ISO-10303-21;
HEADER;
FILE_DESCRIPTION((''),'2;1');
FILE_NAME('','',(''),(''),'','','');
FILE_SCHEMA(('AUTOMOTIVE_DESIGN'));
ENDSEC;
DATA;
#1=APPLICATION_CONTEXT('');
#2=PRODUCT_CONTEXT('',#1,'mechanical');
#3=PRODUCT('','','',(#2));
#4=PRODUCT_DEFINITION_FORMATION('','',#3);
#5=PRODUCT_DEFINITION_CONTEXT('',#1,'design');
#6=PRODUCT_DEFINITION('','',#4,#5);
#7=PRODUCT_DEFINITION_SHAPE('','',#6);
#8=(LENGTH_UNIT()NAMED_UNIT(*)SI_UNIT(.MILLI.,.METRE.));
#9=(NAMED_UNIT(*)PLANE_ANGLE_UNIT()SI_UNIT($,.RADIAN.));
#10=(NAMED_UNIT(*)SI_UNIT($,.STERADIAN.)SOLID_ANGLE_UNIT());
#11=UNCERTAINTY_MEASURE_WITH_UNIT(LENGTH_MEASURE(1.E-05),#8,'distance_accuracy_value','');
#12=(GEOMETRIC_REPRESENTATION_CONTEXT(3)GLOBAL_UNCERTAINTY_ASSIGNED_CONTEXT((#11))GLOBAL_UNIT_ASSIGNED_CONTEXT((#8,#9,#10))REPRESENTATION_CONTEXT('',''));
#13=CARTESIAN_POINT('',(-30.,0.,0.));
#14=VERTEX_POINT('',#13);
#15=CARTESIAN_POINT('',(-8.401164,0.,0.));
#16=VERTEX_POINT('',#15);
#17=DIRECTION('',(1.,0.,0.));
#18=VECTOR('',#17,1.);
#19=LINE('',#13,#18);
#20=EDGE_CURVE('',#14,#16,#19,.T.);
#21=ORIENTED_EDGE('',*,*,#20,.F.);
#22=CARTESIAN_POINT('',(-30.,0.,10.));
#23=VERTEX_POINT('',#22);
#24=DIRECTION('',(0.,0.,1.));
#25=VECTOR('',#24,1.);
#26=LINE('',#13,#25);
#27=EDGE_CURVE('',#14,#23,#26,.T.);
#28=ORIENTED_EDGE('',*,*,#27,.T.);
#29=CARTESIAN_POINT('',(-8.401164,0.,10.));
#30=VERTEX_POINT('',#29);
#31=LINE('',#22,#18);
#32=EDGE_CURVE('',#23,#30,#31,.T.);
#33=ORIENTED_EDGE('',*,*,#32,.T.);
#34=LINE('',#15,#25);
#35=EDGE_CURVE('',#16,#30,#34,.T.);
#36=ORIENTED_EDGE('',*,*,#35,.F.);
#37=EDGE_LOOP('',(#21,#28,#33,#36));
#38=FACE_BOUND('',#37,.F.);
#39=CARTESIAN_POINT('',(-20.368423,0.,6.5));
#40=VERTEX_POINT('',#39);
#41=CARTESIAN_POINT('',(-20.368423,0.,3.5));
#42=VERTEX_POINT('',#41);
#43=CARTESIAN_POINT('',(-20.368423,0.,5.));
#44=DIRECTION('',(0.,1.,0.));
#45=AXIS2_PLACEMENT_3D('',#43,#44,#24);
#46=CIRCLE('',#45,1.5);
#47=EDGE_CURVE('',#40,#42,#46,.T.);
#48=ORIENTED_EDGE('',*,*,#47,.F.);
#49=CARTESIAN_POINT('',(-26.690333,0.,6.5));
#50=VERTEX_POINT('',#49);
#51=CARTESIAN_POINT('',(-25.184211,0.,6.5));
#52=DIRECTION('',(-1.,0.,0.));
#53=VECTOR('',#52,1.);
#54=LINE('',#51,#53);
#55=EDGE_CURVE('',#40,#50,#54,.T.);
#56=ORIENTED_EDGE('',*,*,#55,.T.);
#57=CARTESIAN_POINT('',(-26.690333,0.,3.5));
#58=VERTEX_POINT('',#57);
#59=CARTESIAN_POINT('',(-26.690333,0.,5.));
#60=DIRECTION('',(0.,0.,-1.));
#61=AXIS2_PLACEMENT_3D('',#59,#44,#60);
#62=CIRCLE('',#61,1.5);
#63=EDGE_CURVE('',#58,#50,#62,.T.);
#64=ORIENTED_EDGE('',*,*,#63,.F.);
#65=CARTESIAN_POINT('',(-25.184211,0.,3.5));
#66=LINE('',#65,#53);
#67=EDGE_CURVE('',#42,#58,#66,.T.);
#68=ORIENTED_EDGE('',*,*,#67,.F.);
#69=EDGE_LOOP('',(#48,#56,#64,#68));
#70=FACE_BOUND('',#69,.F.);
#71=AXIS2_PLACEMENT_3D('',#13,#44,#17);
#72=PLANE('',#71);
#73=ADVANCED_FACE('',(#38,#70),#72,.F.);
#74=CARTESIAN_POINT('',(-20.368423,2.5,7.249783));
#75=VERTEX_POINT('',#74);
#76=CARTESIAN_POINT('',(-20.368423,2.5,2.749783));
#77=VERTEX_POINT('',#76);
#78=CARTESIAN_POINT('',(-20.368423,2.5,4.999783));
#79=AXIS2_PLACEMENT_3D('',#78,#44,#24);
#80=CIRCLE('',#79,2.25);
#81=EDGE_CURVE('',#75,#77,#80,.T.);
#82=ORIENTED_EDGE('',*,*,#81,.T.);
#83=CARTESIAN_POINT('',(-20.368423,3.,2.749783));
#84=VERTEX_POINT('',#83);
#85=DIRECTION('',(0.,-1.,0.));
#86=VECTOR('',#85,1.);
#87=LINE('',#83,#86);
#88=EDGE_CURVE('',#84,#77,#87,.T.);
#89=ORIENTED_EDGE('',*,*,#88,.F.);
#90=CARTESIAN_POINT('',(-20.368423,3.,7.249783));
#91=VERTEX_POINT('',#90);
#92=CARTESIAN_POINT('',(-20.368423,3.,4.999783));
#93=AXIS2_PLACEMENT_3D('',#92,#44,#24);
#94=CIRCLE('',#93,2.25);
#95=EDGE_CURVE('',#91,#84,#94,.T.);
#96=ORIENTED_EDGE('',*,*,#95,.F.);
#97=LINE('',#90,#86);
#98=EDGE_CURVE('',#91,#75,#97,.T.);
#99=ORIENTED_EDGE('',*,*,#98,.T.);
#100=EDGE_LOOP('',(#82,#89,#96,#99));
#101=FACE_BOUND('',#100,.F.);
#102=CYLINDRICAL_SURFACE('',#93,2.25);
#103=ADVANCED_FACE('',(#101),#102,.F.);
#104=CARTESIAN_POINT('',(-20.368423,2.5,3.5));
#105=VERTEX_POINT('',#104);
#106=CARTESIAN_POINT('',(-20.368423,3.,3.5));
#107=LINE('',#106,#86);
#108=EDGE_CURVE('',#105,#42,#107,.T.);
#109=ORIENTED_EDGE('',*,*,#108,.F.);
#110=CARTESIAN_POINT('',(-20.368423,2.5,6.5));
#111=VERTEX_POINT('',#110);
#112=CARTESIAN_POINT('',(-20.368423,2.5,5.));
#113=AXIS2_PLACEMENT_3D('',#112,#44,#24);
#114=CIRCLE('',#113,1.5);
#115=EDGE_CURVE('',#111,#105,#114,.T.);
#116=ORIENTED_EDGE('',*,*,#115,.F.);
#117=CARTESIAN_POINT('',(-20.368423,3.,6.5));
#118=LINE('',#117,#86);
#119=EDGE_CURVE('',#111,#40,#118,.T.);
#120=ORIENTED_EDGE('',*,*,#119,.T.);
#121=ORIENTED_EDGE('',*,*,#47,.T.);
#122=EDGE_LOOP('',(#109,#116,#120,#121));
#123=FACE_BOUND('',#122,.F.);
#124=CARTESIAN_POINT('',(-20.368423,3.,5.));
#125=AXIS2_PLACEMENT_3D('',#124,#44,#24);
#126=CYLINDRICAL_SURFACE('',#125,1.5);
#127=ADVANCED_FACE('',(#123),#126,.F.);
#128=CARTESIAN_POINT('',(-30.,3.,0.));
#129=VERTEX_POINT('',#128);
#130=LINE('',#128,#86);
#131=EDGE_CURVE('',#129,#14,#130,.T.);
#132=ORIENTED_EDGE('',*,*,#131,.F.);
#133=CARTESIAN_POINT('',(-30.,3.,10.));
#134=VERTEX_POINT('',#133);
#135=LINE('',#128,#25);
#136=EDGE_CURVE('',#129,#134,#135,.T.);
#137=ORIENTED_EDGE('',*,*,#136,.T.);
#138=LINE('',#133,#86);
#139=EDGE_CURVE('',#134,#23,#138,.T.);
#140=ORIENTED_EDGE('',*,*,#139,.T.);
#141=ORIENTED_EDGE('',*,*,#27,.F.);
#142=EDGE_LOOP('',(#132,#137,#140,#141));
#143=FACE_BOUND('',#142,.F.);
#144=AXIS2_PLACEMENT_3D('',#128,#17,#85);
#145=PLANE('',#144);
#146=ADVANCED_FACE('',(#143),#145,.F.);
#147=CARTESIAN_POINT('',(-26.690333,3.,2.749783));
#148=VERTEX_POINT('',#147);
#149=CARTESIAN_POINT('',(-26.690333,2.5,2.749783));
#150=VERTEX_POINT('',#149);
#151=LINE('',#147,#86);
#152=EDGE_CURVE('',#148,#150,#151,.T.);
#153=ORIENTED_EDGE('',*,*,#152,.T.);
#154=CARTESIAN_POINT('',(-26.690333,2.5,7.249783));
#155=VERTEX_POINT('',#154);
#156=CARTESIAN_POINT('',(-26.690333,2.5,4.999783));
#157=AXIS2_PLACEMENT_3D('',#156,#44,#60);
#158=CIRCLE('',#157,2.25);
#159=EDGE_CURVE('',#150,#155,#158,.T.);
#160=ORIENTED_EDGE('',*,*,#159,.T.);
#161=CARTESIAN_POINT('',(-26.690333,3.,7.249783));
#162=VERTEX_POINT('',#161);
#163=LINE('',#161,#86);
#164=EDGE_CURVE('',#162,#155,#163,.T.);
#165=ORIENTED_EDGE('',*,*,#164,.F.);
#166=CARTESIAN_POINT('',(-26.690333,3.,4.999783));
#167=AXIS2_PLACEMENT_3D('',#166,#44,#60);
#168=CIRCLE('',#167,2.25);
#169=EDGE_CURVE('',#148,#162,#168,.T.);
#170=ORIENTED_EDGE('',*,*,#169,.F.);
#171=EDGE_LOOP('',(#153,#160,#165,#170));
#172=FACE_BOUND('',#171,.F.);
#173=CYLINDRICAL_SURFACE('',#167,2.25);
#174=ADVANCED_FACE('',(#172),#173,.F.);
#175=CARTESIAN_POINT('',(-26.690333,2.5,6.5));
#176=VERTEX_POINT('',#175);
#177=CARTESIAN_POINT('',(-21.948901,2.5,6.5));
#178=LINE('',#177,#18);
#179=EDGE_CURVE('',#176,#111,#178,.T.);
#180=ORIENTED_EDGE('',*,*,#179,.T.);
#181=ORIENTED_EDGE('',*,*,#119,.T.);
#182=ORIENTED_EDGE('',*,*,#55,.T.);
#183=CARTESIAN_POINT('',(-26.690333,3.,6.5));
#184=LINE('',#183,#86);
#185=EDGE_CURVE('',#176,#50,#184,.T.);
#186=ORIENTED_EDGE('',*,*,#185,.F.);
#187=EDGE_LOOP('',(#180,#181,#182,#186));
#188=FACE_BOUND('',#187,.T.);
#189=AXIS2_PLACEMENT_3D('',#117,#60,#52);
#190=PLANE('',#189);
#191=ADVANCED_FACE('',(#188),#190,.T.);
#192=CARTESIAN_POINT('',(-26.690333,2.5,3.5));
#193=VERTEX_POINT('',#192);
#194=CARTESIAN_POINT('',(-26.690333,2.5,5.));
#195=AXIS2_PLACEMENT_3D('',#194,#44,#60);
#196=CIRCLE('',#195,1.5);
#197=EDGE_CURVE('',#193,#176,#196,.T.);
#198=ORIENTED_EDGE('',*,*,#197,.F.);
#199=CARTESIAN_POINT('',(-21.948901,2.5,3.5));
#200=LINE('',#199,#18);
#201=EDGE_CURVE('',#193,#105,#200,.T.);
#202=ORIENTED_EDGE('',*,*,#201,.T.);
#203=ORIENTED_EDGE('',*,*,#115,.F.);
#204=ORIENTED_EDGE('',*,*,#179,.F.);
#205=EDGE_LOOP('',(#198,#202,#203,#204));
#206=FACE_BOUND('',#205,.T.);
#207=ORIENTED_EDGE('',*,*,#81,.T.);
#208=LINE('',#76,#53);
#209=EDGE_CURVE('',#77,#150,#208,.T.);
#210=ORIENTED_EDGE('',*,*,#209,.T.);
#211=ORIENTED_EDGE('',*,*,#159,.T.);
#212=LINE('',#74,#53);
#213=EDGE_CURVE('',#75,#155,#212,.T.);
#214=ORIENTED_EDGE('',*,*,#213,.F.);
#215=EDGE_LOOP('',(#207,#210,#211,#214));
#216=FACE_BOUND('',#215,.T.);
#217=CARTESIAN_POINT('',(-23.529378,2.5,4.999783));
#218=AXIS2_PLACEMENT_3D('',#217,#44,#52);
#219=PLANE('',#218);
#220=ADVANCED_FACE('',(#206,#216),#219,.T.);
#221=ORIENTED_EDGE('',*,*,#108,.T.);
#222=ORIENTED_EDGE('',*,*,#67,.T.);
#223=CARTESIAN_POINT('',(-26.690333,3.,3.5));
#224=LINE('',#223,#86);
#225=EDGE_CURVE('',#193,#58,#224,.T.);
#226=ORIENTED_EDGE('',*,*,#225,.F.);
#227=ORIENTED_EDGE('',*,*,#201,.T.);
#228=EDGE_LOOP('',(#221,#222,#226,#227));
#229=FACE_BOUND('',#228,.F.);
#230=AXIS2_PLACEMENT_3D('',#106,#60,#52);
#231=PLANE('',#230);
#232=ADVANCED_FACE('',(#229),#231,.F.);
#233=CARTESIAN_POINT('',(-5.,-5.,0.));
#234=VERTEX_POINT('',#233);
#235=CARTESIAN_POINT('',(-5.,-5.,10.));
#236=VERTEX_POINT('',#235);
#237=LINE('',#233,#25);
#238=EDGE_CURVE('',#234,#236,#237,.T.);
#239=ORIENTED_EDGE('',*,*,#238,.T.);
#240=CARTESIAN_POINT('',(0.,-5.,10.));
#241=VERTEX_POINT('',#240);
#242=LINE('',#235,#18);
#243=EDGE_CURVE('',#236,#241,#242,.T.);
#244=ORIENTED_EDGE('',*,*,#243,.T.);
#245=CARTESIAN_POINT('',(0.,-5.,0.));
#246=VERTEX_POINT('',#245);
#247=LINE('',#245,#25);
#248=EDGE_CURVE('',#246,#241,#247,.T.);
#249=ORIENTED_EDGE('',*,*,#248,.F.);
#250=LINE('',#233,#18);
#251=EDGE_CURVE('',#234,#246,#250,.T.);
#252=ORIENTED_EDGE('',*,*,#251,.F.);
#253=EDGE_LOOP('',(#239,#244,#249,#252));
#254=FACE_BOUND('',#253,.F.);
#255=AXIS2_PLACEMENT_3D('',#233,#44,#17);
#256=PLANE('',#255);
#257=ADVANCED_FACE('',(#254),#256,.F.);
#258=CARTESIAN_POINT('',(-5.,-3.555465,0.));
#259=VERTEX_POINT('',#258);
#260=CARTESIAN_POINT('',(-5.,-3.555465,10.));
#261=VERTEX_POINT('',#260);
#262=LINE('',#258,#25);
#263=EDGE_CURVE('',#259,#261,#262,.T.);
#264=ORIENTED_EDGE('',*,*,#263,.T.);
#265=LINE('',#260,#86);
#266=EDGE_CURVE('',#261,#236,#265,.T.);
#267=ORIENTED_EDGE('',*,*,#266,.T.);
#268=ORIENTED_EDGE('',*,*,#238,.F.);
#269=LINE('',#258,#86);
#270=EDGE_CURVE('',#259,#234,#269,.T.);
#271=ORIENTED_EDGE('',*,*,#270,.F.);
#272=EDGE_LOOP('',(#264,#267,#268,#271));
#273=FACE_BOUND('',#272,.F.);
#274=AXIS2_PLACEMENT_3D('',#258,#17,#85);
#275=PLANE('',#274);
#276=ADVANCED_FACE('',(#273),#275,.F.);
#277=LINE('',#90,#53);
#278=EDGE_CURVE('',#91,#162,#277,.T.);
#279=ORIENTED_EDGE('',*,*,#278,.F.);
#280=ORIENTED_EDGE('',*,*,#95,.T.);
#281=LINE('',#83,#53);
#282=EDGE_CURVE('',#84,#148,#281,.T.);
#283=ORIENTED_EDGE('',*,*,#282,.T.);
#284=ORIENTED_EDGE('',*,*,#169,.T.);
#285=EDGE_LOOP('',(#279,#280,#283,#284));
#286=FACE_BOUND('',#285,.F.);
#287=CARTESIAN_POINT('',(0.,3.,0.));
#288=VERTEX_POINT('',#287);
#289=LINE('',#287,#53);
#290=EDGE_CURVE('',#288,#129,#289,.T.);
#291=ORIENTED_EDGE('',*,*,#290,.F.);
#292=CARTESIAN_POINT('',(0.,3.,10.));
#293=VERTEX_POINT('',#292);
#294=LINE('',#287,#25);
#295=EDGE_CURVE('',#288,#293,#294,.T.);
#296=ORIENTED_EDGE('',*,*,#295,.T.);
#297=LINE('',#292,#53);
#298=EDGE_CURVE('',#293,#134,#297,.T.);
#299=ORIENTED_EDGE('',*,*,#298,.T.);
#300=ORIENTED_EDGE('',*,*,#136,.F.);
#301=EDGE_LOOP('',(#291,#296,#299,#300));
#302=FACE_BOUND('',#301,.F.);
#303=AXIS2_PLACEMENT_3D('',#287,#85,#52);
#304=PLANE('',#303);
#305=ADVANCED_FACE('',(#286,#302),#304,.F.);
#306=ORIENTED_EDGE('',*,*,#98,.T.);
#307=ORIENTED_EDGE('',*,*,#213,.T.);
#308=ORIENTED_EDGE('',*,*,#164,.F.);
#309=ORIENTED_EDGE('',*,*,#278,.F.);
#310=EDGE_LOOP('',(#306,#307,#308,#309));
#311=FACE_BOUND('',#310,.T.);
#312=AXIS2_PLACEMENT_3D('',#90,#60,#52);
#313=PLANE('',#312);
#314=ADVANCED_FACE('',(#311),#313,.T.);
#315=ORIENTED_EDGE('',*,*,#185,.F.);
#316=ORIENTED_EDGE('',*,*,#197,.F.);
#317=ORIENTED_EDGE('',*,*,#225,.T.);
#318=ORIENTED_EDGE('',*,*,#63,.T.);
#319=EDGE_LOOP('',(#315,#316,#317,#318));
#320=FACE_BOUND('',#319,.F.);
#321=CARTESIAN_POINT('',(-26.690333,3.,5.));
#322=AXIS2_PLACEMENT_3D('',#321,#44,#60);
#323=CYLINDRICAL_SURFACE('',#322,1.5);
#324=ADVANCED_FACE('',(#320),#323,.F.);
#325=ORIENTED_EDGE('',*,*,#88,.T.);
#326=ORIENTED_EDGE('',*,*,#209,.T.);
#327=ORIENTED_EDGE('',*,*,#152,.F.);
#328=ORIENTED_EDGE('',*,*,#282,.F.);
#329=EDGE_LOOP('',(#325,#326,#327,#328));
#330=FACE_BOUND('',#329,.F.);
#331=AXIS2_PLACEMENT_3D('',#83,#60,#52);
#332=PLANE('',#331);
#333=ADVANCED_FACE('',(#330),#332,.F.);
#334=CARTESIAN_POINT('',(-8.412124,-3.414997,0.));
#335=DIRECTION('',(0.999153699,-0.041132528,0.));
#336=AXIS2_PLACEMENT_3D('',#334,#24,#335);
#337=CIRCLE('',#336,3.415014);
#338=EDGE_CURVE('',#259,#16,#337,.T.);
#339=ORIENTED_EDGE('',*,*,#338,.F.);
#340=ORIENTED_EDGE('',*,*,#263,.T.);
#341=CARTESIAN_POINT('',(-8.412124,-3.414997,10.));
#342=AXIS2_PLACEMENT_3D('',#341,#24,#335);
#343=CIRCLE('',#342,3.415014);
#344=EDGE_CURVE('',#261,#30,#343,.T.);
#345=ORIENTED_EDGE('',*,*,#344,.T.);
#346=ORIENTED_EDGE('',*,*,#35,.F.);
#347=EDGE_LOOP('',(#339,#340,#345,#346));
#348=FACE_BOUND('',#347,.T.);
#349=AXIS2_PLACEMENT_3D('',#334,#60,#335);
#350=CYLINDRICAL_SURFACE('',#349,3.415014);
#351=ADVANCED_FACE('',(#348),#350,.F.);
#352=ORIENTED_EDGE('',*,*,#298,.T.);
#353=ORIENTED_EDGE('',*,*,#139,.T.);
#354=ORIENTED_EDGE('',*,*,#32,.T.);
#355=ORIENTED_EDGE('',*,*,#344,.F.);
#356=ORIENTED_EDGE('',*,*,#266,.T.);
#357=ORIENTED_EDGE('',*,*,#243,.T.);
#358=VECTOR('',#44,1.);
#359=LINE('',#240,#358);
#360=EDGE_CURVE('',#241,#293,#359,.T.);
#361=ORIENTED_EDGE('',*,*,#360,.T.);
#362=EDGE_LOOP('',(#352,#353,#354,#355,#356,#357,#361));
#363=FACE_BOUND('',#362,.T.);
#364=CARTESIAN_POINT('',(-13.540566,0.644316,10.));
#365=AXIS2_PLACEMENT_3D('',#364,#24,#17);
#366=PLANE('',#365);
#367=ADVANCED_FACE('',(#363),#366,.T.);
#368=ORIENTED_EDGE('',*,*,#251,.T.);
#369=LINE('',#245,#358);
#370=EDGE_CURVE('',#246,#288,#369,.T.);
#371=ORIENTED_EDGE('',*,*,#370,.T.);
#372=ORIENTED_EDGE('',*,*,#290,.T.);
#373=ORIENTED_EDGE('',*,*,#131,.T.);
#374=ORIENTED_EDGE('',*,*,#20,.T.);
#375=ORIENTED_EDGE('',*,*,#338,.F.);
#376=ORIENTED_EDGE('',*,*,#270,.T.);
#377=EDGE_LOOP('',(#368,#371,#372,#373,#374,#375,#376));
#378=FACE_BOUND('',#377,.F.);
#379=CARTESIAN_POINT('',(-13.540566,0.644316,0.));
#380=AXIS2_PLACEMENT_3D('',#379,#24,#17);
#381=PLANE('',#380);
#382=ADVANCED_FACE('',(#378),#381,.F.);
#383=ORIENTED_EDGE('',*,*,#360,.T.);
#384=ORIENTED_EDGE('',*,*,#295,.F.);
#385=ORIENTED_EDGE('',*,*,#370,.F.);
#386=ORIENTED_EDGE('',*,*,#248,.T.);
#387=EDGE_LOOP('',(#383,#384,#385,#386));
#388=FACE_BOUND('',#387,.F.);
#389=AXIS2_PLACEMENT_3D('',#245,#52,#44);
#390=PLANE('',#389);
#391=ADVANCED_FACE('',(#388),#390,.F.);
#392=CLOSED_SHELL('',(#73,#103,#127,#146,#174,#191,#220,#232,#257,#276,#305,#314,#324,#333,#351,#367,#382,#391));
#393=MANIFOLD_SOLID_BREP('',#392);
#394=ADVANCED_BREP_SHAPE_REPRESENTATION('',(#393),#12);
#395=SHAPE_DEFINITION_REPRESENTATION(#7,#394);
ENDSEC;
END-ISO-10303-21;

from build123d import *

# Parameters (mm, degrees)
PAD_DEPTH       = 10
POCKET_DEPTH    = 8.001
POCKET001_DEPTH = 0.5


with BuildPart() as part:
    # Sketch → Pad (new body)
    with BuildSketch(Plane.XY):
        with BuildLine():
            Line((-30, 0), (-8.401164, 0))
            ThreePointArc((-5, -3.555465), (-5.94439, -1.054359), (-8.401164, 0))
            Line((-5, -3.555465), (-5, -5))
            Line((-5, -5), (0, -5))
            Line((0, -5), (0, 3))
            Line((0, 3), (-30, 3))
            Line((-30, 3), (-30, 0))
        make_face()
    extrude(amount=PAD_DEPTH)

    # Sketch001 (on DatumPlane) → Pocket (cut, through all)
    with BuildSketch(Plane(origin=(0, 3, 0), x_dir=(-1, 0, 0), z_dir=(0, 1, 0))):
        with BuildLine():
            ThreePointArc((20.368423, 6.5), (18.868423, 5), (20.368423, 3.5))
            Line((20.368423, 3.5), (26.690333, 3.5))
            ThreePointArc((26.690333, 3.5), (28.190333, 5), (26.690333, 6.5))
            Line((20.368423, 6.5), (26.690333, 6.5))
        make_face()
    extrude(amount=-POCKET_DEPTH, mode=Mode.SUBTRACT)

    # Sketch002 (on DatumPlane) → Pocket001 (cut)
    with BuildSketch(Plane(origin=(0, 3, 0), x_dir=(-1, 0, 0), z_dir=(0, 1, 0))):
        with BuildLine():
            ThreePointArc((20.368423, 7.249783), (18.118423, 4.999783), (20.368423, 2.749783))
            Line((20.368423, 2.749783), (26.690333, 2.749783))
            ThreePointArc((26.690333, 2.749783), (28.940333, 4.999783), (26.690333, 7.249783))
            Line((20.368423, 7.249783), (26.690333, 7.249783))
        make_face()
    extrude(amount=-POCKET001_DEPTH, mode=Mode.SUBTRACT)


solid = part.part
